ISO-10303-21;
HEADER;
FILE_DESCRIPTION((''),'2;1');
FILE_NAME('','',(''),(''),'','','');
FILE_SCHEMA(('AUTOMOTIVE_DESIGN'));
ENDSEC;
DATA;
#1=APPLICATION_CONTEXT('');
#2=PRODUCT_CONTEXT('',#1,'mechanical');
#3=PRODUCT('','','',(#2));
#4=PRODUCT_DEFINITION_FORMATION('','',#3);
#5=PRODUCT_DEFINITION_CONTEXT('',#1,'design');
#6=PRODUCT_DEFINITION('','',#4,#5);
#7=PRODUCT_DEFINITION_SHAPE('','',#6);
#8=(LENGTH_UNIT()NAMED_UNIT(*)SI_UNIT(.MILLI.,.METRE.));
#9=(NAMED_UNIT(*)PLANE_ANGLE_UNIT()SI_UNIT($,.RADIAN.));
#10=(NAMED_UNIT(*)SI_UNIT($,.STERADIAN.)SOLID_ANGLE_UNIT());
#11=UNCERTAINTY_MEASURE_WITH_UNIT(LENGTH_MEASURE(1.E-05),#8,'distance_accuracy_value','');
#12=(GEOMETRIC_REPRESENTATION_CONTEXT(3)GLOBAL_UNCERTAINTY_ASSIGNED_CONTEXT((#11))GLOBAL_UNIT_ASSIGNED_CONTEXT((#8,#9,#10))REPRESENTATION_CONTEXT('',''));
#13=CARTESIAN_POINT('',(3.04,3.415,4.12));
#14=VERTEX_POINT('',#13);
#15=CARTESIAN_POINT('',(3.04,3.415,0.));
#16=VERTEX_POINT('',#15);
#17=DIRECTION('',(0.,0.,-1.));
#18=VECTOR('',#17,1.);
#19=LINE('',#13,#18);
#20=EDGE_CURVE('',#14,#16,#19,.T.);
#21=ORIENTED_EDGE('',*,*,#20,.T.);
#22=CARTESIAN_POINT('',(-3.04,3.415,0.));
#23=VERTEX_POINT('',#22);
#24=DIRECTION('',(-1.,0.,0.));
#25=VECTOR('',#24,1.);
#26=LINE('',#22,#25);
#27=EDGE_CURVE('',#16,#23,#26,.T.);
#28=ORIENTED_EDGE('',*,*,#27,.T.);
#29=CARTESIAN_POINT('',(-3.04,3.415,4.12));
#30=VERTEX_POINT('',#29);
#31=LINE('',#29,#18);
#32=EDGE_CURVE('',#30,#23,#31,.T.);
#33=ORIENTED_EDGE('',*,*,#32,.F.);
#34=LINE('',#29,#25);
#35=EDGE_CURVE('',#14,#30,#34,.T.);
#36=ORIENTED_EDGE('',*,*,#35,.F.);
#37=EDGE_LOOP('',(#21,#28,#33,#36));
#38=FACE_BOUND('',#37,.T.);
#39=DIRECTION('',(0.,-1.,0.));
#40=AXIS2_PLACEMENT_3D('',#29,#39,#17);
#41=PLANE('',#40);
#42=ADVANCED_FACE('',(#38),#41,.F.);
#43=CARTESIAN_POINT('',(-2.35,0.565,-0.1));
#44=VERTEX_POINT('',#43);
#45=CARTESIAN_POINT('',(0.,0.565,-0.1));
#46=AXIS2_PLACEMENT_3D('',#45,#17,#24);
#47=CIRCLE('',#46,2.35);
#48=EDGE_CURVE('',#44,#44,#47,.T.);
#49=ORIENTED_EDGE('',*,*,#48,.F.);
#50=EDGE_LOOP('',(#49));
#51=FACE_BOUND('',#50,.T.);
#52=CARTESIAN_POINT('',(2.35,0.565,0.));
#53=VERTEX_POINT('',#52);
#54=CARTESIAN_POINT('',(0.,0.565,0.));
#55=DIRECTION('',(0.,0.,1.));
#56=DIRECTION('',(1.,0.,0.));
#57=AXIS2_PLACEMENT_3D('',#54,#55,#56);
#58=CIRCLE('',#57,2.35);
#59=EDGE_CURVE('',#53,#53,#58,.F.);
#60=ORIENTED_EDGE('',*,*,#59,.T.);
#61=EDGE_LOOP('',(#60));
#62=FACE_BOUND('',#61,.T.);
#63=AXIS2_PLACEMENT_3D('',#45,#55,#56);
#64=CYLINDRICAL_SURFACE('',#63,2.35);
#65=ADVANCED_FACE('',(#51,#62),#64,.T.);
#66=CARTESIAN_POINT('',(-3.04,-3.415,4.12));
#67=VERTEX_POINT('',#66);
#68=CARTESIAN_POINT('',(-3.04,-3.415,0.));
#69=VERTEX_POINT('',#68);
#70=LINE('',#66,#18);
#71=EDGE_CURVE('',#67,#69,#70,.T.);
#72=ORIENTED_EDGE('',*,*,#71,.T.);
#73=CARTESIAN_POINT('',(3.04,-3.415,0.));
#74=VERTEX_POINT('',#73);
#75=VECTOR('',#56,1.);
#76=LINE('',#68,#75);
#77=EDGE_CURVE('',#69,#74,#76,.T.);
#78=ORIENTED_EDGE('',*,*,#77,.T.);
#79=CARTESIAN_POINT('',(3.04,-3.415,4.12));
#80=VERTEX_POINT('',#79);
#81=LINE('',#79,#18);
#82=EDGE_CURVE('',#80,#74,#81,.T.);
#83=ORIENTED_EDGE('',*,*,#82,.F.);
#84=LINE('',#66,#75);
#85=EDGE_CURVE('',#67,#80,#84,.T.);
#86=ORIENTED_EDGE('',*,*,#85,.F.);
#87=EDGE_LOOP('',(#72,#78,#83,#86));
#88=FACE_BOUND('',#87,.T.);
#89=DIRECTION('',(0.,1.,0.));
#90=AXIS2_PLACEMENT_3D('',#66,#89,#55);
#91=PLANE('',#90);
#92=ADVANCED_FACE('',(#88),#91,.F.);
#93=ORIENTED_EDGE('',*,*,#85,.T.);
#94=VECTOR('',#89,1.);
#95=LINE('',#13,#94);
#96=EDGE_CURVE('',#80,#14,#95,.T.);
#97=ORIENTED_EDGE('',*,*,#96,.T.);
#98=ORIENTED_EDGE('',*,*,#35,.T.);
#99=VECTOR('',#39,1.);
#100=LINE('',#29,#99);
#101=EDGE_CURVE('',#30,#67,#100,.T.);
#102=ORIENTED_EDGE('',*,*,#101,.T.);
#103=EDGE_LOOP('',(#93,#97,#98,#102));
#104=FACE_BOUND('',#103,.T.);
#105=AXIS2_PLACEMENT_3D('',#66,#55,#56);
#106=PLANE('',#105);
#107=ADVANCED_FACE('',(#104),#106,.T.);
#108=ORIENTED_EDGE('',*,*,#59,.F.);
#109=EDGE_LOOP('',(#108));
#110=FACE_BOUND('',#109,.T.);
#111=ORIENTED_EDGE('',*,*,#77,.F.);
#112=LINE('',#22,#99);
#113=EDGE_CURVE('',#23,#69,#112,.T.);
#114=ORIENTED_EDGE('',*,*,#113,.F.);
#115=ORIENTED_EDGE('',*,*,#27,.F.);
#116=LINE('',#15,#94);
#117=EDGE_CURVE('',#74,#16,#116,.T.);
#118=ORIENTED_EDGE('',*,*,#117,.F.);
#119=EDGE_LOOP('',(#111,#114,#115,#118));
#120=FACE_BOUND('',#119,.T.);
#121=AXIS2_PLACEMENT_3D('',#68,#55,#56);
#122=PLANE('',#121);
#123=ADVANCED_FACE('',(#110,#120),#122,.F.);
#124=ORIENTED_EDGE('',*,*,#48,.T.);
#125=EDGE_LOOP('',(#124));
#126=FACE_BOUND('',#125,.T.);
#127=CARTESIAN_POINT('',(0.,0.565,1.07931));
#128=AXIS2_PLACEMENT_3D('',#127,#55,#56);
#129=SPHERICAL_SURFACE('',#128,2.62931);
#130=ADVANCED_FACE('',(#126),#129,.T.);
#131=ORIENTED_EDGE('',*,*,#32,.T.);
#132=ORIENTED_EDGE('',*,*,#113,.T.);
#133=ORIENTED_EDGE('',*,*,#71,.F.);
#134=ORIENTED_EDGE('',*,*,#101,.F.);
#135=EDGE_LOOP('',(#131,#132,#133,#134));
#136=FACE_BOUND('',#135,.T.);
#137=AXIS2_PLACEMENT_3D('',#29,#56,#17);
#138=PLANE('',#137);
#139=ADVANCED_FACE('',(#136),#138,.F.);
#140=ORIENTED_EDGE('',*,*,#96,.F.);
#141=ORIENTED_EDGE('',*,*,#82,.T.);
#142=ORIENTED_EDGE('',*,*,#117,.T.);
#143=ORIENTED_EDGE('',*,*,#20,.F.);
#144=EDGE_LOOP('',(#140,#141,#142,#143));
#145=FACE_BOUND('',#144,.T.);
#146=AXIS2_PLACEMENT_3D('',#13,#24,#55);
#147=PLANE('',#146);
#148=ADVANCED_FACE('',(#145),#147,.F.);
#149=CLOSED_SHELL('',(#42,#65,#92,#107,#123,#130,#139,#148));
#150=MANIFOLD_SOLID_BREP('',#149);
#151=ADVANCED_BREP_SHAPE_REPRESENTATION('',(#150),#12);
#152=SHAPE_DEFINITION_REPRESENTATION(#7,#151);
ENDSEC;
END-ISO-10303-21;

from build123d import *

# Parameters (mm, degrees)
SKETCH_1_W         = 6.08
SKETCH_1_H         = 6.83
EXTRUDE_1_DEPTH    = 4.12
SKETCH_2_R         = 2.35
EXTRUDE_2_DEPTH    = 0.1
DOME_1_FACE_RADIUS = 2.35
DOME_1_HEIGHT      = 1.45


with BuildPart() as part:
    # 草图1 → 拉伸1 (new body)
    with BuildSketch(Plane.XY):
        Rectangle(SKETCH_1_W, SKETCH_1_H)
    extrude(amount=EXTRUDE_1_DEPTH)

    # 草图2 → 拉伸2 (add)
    with BuildSketch(Plane(origin=(0, 0, 0), x_dir=(-1, 0, 0), z_dir=(0, 0, -1))):
        with Locations(Location((0, 0.565, 0), (0, 0, 180))):
            Circle(SKETCH_2_R)
    extrude(amount=EXTRUDE_2_DEPTH)

    # 圆顶1: a dome of height H over a round flat face of radius A is a cap of a sphere of radius (A * A + H * H) / (2 * H)
    dome_1_r = (DOME_1_FACE_RADIUS * DOME_1_FACE_RADIUS + DOME_1_HEIGHT * DOME_1_HEIGHT) / (2 * DOME_1_HEIGHT)
    dome_1_base = Plane((0, 0.565, -0.1), z_dir=(0, 0, -1))
    with Locations(dome_1_base.offset(DOME_1_HEIGHT - dome_1_r)):
        dome_1_ball = Sphere(dome_1_r, mode=Mode.PRIVATE)
    add(split(dome_1_ball, bisect_by=dome_1_base, keep=Keep.TOP, mode=Mode.PRIVATE))


solid = part.part
